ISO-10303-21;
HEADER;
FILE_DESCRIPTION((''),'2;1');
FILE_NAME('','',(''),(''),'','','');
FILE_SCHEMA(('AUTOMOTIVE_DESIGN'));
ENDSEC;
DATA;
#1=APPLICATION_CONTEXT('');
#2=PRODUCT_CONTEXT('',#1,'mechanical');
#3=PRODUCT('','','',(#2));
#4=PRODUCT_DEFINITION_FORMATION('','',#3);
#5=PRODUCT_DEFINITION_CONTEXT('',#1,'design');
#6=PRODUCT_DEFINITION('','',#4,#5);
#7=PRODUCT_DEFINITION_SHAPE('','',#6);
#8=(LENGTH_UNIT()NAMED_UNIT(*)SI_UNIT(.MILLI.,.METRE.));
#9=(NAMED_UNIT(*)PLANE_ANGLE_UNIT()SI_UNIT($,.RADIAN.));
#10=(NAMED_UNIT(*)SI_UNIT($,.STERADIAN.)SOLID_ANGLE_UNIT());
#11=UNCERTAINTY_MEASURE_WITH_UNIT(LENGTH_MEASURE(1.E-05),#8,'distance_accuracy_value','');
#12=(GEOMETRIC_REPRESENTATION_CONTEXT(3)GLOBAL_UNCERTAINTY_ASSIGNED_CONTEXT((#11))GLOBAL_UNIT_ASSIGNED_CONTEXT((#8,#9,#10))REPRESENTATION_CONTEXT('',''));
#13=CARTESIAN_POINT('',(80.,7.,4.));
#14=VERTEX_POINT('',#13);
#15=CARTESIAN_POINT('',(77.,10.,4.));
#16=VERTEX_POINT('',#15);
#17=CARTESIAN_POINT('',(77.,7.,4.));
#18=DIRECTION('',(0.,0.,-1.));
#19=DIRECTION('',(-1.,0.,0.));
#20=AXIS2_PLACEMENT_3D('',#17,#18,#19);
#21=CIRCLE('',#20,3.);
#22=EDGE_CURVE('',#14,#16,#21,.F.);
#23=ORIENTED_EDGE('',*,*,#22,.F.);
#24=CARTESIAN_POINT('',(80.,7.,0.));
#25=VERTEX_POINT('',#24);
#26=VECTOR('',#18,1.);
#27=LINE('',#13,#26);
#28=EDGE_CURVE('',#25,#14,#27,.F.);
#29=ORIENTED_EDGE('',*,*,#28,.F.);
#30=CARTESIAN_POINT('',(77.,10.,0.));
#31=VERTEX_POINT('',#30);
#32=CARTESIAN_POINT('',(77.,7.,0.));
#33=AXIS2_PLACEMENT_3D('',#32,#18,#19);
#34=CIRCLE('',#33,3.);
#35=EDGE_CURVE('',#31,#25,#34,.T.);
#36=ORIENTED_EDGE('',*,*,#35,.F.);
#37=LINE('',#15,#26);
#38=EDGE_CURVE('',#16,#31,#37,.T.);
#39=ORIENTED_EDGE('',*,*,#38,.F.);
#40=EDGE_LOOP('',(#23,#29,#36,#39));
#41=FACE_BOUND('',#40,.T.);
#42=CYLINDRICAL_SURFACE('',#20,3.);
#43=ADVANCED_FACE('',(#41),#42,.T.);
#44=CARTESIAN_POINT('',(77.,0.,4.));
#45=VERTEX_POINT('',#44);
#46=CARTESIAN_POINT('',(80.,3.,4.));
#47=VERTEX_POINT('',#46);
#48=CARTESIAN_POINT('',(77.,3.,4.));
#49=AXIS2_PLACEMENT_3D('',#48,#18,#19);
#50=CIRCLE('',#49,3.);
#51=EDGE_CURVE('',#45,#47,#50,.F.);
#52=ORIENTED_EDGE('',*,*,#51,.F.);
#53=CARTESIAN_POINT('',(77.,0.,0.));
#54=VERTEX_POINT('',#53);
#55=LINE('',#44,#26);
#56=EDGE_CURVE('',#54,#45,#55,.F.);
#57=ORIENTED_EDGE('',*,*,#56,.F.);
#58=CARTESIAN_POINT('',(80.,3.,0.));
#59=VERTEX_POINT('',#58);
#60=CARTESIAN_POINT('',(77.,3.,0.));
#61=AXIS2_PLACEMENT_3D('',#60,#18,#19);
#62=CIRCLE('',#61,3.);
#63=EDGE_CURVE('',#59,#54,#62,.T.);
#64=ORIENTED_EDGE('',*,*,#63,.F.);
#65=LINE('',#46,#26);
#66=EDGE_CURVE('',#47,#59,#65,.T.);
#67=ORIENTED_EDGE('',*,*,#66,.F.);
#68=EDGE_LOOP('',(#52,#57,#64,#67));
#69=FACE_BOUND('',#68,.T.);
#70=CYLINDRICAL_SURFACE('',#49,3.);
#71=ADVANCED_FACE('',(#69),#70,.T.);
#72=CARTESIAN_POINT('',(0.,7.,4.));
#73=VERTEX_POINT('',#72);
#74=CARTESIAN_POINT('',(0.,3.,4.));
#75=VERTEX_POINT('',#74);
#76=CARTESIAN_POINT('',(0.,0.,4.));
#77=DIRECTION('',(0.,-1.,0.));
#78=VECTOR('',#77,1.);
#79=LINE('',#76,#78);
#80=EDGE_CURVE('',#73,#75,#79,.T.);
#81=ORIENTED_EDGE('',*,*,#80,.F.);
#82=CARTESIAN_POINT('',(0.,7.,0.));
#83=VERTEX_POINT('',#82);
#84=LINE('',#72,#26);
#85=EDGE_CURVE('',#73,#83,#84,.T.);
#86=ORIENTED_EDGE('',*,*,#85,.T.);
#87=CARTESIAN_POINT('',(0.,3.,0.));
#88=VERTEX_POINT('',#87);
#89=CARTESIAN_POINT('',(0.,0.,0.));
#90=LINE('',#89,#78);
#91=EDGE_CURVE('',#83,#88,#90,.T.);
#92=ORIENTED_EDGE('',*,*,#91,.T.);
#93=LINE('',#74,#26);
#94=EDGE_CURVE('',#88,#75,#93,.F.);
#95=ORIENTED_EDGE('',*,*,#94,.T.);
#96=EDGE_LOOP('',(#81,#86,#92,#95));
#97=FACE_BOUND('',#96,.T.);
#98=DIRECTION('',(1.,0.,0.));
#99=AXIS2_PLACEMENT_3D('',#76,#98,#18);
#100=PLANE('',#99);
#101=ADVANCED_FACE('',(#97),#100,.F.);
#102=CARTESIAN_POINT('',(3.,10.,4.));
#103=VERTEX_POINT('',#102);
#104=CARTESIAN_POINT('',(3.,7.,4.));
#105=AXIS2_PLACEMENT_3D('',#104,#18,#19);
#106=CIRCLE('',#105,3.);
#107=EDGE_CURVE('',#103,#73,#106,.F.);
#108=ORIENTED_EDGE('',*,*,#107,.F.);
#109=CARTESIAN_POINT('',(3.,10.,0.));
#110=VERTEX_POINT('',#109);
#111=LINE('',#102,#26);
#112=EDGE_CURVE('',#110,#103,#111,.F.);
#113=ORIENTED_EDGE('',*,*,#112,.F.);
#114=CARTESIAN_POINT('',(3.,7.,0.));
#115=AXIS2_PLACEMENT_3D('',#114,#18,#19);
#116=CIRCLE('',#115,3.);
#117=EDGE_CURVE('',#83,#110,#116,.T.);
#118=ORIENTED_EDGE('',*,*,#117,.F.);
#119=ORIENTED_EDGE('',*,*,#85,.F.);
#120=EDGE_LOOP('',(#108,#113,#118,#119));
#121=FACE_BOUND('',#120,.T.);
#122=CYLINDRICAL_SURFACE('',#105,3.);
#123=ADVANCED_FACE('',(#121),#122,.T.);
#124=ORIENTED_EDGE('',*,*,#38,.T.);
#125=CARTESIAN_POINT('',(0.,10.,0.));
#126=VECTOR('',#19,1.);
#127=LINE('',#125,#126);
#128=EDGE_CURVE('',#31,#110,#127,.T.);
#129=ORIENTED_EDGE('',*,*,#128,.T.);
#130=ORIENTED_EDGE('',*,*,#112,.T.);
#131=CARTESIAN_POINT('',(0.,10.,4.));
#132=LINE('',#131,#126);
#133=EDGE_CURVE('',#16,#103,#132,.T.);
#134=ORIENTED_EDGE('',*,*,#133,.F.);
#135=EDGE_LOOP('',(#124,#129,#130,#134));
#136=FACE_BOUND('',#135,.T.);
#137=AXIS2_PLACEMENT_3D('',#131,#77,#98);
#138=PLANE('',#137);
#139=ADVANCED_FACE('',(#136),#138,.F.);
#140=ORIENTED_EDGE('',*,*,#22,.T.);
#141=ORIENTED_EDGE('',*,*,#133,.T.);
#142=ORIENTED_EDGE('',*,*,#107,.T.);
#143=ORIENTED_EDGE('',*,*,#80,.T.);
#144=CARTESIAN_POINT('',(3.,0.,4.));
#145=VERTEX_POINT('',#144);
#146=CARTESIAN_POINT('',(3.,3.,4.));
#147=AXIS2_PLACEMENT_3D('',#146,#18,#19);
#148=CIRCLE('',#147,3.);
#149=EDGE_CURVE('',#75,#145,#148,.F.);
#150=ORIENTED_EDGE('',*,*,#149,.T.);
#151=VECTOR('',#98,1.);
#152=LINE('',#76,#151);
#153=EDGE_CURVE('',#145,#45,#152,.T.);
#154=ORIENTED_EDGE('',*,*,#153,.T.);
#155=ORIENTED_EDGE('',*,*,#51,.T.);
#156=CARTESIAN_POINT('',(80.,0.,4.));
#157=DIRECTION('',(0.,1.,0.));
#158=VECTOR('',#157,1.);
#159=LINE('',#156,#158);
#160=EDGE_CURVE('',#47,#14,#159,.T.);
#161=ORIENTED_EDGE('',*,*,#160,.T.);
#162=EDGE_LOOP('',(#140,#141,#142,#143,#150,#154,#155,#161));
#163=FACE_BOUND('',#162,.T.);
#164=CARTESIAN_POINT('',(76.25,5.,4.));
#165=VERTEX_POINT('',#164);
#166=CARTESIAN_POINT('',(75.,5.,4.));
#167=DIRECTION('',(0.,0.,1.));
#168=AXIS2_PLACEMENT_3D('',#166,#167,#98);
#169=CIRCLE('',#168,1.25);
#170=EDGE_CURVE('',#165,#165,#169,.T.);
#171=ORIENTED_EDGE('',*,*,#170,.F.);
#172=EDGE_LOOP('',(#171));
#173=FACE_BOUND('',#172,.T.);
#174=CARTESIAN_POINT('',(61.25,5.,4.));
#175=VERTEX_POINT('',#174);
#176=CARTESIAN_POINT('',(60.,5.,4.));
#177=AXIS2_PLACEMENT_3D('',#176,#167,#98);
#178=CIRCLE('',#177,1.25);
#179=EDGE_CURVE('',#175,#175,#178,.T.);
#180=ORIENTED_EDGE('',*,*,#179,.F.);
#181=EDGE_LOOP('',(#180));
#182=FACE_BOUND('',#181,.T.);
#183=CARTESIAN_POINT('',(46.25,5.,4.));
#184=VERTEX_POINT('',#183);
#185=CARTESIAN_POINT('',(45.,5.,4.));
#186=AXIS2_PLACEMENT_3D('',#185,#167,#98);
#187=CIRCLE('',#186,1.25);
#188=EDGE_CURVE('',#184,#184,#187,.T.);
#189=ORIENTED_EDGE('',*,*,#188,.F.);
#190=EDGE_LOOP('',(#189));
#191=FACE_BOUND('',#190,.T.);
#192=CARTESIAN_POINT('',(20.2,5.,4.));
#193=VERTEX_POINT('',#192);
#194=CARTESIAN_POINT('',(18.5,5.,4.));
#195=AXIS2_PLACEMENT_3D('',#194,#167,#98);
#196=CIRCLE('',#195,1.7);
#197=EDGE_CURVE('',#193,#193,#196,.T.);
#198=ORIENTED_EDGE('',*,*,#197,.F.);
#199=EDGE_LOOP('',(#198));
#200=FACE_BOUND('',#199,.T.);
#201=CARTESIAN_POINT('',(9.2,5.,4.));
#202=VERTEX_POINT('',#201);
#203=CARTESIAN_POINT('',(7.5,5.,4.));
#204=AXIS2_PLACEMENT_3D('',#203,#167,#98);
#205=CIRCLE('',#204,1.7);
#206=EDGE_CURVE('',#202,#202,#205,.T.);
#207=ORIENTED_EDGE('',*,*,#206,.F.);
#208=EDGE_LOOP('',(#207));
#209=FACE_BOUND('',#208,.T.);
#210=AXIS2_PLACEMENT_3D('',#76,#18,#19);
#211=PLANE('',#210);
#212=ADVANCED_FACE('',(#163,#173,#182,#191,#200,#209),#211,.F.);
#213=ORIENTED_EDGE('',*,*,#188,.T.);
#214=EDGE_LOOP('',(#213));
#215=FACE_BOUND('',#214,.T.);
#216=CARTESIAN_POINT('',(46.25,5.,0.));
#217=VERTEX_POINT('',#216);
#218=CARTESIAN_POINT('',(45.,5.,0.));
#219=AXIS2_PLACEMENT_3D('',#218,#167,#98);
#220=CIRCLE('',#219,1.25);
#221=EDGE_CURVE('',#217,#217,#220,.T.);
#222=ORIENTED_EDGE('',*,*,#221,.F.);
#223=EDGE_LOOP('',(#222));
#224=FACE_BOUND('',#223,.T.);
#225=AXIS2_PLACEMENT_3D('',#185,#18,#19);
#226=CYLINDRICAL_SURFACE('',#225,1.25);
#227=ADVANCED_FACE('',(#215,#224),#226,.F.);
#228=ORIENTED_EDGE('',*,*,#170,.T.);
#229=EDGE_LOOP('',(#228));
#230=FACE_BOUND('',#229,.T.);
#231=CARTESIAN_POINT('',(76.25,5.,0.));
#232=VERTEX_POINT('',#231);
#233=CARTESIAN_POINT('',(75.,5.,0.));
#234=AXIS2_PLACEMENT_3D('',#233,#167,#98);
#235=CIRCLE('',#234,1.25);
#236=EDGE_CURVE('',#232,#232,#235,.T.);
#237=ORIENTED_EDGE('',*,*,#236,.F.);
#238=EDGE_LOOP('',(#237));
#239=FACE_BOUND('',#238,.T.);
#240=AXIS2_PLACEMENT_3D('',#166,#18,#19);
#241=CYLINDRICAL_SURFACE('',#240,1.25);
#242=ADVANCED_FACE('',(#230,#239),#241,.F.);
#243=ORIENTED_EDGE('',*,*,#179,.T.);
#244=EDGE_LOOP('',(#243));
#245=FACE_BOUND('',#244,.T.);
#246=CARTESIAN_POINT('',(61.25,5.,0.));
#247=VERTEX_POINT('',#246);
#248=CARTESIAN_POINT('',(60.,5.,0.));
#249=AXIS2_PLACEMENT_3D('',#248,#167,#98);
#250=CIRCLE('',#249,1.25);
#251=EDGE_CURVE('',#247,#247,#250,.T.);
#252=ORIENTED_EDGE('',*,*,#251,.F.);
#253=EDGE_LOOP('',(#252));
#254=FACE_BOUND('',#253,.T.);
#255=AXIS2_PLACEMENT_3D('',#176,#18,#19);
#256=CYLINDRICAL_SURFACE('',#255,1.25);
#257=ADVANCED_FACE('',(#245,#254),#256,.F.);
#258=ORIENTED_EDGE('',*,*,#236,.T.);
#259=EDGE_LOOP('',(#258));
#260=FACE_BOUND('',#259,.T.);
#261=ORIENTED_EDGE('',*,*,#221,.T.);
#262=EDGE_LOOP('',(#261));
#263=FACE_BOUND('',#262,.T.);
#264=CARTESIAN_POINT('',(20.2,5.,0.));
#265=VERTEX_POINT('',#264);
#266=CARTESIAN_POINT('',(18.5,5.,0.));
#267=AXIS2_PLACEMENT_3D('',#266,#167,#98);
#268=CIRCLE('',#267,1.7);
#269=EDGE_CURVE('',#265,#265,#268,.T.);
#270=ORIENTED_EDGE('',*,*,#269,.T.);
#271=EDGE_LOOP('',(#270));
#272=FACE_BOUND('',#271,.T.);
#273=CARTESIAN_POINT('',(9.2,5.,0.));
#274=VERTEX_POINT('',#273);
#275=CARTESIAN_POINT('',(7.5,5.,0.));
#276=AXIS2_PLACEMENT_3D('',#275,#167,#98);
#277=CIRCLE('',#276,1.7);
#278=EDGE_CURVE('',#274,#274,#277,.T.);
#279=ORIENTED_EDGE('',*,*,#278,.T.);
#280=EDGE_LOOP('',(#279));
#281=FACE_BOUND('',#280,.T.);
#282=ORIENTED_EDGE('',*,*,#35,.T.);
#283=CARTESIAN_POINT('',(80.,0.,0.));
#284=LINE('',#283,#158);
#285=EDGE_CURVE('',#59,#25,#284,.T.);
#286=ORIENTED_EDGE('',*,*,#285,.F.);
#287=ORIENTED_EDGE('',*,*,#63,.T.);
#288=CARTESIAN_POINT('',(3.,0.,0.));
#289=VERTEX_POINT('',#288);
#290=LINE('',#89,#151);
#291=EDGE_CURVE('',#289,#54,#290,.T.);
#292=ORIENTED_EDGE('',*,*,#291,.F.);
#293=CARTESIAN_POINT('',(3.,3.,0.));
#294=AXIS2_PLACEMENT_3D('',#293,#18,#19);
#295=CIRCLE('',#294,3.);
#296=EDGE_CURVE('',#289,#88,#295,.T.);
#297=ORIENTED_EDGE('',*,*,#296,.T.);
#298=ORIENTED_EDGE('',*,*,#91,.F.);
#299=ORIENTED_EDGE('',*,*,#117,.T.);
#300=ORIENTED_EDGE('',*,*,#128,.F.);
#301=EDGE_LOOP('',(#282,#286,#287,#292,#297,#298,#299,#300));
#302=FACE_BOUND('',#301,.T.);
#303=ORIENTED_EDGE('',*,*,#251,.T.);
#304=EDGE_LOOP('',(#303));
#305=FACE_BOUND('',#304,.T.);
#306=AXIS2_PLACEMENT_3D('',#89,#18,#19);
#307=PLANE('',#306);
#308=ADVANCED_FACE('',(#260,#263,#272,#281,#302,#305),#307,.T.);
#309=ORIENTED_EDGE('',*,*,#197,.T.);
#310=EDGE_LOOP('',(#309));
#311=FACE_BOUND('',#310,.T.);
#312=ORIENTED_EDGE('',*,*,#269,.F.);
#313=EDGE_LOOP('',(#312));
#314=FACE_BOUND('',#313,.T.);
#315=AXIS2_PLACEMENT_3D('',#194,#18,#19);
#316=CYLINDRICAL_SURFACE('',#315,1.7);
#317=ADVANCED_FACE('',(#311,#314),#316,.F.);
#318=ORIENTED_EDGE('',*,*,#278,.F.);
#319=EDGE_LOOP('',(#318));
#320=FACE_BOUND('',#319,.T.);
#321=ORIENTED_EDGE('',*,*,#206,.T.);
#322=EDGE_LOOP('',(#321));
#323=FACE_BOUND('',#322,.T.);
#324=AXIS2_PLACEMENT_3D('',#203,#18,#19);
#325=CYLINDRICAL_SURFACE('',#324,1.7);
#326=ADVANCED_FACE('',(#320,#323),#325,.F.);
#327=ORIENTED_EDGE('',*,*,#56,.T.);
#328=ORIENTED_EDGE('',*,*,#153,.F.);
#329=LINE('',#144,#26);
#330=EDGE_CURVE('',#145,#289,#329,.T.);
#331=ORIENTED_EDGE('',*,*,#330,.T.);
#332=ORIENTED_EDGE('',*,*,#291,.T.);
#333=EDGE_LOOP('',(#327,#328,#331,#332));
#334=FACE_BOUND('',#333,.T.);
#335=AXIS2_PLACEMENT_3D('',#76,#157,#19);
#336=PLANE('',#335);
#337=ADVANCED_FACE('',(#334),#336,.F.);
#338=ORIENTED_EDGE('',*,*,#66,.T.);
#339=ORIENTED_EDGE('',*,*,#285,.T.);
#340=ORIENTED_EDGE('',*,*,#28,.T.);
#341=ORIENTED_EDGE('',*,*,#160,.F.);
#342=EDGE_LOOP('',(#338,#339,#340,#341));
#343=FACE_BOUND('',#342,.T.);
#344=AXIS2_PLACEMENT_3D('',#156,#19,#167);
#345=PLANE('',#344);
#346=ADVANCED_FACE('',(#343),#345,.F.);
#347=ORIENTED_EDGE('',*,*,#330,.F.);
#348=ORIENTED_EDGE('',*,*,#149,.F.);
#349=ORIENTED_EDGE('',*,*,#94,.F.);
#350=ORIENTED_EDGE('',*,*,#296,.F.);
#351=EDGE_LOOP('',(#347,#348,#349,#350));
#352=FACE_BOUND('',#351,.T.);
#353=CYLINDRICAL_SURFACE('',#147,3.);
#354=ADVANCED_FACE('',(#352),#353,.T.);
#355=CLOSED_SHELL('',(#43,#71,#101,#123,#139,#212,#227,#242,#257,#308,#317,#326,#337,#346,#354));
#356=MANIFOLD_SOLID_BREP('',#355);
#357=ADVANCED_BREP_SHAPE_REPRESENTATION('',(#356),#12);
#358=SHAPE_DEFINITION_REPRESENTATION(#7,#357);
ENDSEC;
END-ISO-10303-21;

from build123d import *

# Parameters (mm, degrees)
SKETCH_1_W      = 80
SKETCH_1_H      = 10
SKETCH_1_R      = 1.25
SKETCH_1_R_2    = 1.7
EXTRUDE_1_DEPTH = 4
FILLET_1_R      = 3


with BuildPart() as part:
    # 草图1 → 凸台-拉伸1 (new body)
    with BuildSketch(Plane.XY):
        with Locations((40, 5)):
            Rectangle(SKETCH_1_W, SKETCH_1_H)
        with Locations((45, 5)):
            Circle(SKETCH_1_R, mode=Mode.SUBTRACT)
        with Locations((60, 5)):
            Circle(SKETCH_1_R, mode=Mode.SUBTRACT)
        with Locations((75, 5)):
            Circle(SKETCH_1_R, mode=Mode.SUBTRACT)
        with Locations((7.5, 5)):
            Circle(SKETCH_1_R_2, mode=Mode.SUBTRACT)
        with Locations((18.5, 5)):
            Circle(SKETCH_1_R_2, mode=Mode.SUBTRACT)
    extrude(amount=EXTRUDE_1_DEPTH)

    # 圆角1
    fillet_1_edges = [part.edges().sort_by_distance(p)[0] for p in [
        (0, 10, 2),
        (80, 10, 2),
        (80, 0, 2),
        (0, 0, 2),
    ]]
    fillet(fillet_1_edges, radius=FILLET_1_R)


solid = part.part
